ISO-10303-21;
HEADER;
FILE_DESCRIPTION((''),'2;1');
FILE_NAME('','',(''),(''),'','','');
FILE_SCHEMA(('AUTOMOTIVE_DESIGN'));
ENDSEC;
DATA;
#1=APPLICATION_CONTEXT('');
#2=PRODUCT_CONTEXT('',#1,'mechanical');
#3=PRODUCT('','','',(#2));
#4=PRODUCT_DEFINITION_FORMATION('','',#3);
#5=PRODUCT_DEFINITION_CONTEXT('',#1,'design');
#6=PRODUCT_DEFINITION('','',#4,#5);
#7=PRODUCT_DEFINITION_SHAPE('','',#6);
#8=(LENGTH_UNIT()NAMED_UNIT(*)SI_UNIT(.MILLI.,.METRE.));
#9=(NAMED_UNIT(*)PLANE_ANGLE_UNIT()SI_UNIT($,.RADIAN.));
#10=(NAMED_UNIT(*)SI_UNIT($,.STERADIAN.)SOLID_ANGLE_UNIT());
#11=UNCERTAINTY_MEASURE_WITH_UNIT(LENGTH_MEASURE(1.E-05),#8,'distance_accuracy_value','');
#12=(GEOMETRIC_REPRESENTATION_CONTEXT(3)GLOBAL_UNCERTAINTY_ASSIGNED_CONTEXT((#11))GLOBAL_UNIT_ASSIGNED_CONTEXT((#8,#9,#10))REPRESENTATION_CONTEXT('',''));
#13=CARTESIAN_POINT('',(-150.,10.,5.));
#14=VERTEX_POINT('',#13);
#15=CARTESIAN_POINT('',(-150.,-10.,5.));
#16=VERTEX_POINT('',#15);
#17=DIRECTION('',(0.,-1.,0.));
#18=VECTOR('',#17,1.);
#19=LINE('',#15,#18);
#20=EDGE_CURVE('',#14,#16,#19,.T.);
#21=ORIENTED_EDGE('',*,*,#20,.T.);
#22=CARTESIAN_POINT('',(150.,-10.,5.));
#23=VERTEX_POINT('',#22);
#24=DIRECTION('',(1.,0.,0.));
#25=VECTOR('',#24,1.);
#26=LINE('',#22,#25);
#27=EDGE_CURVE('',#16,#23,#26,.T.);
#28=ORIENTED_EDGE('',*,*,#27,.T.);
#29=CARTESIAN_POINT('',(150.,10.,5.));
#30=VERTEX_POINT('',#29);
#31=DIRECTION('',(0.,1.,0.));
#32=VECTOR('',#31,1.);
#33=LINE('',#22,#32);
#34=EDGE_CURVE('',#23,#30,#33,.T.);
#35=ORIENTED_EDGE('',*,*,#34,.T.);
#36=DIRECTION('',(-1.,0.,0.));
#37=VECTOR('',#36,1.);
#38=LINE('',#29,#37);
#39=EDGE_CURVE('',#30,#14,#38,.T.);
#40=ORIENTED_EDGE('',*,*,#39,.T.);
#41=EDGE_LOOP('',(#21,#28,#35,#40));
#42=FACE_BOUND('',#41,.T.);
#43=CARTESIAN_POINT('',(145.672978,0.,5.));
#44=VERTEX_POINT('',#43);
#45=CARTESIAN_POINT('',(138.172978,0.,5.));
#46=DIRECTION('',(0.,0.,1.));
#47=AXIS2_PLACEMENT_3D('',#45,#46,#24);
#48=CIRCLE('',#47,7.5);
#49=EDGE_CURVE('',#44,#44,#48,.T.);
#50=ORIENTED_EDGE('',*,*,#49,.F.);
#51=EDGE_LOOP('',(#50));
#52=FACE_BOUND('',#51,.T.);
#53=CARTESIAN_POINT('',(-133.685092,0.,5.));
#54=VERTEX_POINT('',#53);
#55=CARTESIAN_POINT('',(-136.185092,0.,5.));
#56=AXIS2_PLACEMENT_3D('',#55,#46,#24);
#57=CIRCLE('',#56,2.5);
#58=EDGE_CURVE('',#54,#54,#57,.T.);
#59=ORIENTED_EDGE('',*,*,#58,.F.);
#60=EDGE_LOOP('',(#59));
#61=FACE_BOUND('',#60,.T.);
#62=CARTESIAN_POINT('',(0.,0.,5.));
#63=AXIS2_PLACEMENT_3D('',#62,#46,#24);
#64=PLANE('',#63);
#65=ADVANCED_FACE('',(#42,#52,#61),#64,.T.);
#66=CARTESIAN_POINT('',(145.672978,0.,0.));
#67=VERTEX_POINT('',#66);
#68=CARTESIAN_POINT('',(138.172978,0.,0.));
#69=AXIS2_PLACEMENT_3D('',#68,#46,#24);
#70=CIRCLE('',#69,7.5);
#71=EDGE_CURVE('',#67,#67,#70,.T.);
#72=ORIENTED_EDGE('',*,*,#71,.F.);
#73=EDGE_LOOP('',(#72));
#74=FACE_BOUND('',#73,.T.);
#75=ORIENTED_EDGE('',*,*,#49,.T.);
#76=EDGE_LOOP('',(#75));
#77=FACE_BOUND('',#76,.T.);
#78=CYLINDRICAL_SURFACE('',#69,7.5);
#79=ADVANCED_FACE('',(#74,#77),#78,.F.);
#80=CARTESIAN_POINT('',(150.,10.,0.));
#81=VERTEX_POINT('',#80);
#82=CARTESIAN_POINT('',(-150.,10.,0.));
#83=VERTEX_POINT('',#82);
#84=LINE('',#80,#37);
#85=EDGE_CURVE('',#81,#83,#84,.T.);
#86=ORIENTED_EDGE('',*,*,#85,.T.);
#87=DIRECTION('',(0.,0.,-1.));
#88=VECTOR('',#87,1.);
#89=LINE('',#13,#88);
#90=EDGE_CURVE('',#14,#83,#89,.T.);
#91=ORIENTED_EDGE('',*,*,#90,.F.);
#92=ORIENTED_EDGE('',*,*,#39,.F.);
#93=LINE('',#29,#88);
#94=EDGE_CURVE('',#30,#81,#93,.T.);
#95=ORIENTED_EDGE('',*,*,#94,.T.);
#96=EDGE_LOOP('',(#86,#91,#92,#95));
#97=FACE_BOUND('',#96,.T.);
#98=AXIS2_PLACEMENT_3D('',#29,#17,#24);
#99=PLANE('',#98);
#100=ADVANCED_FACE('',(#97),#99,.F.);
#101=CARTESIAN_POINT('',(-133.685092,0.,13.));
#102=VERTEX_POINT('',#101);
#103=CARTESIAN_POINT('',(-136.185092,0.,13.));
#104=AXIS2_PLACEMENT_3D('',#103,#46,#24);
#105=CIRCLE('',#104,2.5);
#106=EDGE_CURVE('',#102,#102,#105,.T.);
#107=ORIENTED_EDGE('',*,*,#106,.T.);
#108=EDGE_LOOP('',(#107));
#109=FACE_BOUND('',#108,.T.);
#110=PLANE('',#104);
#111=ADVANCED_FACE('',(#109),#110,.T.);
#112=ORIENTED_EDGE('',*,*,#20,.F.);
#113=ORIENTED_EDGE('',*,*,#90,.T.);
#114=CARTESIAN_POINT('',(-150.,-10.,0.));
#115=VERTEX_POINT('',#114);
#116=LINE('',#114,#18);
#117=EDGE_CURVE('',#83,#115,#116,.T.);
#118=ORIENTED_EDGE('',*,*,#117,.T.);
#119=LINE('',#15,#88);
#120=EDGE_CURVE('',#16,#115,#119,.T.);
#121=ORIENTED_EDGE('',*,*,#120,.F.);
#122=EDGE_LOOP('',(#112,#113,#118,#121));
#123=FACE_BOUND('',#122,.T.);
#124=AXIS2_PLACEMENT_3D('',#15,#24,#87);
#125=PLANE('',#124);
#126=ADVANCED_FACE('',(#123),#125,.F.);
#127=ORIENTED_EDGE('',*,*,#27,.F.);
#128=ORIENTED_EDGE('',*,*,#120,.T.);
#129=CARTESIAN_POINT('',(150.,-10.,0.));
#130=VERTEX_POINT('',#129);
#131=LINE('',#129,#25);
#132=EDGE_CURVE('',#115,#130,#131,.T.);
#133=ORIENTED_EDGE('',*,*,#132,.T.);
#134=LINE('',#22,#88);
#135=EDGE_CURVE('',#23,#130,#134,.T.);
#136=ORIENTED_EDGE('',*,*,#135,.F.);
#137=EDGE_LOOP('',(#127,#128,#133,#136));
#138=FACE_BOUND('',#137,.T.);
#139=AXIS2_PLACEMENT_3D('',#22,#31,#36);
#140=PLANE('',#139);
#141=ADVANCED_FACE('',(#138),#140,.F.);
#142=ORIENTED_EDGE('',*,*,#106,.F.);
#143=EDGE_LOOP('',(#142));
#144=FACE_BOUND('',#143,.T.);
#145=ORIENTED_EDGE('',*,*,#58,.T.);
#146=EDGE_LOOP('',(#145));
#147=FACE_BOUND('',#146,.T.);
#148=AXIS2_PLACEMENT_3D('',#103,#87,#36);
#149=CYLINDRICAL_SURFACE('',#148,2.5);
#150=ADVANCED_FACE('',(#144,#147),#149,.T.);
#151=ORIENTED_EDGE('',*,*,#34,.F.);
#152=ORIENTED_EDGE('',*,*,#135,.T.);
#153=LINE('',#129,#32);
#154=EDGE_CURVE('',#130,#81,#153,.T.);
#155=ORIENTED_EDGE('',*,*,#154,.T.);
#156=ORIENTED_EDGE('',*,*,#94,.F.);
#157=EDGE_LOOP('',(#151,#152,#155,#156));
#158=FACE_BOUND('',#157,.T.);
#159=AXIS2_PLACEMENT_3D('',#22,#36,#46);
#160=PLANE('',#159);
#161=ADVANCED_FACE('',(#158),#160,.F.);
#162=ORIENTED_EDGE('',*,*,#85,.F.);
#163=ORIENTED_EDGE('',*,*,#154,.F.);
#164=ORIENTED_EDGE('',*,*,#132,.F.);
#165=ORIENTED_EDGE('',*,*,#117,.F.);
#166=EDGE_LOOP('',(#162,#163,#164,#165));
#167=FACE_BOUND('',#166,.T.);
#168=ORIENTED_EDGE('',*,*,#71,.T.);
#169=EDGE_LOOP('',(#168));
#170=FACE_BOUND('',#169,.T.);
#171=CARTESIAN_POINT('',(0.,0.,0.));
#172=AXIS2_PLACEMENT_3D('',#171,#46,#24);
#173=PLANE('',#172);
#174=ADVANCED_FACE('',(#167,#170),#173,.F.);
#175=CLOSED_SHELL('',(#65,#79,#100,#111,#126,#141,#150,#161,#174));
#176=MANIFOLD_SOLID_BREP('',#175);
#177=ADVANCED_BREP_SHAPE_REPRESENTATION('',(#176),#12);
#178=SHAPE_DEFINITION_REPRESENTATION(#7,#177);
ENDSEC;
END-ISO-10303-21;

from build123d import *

# Parameters (mm, degrees)
SKETCH1_W           = 300
SKETCH1_H           = 20
BOSS_EXTRUDE1_DEPTH = 5
SKETCH2_R           = 7.5
CUT_EXTRUDE1_DEPTH  = 151.416089565
SKETCH3_R           = 2.5
BOSS_EXTRUDE2_DEPTH = 8


with BuildPart() as part:
    # Sketch1 → Boss-Extrude1 (new body)
    with BuildSketch(Plane.XY):
        Rectangle(SKETCH1_W, SKETCH1_H)
    extrude(amount=BOSS_EXTRUDE1_DEPTH)

    # Sketch2 → Cut-Extrude1 (cut, through all)
    with BuildSketch(Plane.XY.offset(5)):
        with Locations((138.172978114, 0)):
            Circle(SKETCH2_R)
    extrude(amount=-CUT_EXTRUDE1_DEPTH, mode=Mode.SUBTRACT)

    # Sketch3 → Boss-Extrude2 (add)
    with BuildSketch(Plane.XY.offset(5)):
        with Locations((-136.185092233, 0)):
            Circle(SKETCH3_R)
    extrude(amount=BOSS_EXTRUDE2_DEPTH)


solid = part.part
